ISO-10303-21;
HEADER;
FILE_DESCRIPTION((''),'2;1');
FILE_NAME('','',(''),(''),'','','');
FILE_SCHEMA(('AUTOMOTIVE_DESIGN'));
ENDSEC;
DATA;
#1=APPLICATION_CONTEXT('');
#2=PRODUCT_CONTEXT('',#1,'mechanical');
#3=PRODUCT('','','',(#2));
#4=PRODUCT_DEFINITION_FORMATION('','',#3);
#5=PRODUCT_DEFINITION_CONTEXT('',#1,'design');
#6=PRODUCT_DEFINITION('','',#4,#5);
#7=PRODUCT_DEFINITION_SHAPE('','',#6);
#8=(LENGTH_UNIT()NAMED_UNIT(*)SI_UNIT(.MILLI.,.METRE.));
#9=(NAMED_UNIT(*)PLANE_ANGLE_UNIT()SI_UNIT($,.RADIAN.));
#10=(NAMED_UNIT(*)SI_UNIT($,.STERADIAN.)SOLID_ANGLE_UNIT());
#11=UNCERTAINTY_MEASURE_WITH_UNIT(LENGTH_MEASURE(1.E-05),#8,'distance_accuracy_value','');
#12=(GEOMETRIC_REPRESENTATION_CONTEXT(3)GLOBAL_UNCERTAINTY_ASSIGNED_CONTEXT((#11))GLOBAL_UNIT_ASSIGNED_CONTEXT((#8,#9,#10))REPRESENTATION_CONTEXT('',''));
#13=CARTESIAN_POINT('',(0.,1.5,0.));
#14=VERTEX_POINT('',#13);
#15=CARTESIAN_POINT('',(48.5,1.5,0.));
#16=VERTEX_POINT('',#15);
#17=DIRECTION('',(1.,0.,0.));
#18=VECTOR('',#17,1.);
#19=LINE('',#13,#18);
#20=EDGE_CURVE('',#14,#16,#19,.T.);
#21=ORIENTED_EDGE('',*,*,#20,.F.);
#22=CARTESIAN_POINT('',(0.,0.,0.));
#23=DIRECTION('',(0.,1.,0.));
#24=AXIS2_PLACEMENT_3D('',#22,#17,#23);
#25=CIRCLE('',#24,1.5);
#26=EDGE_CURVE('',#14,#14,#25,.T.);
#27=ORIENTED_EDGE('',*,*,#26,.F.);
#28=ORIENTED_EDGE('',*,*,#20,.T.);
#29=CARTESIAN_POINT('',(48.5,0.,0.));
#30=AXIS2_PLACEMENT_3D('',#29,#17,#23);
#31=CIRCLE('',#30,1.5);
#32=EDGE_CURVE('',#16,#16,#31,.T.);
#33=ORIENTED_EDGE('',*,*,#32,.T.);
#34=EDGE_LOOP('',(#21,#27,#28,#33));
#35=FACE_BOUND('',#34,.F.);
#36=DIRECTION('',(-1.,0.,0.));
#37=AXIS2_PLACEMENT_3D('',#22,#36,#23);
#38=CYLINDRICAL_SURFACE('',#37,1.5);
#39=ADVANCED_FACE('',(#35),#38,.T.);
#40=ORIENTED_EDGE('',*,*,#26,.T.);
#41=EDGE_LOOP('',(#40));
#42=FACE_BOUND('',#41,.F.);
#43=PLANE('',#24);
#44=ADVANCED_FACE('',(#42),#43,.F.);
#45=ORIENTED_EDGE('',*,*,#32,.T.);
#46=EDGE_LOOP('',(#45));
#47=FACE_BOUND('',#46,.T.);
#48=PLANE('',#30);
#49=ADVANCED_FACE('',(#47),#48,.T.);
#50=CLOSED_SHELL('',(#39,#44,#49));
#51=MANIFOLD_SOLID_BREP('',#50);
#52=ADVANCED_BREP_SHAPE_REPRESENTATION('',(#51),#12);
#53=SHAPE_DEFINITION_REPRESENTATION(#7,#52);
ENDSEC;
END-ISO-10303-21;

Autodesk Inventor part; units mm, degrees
ref_plane "YZ Plane" through (0, 0, 0) normal (1, 0, 0) x (0, 1, 0)
ref_plane "XZ Plane" through (0, 0, 0) normal (0, 1, 0) x (-1, 0, 0)
ref_plane "XY Plane" through (0, 0, 0) normal (0, 0, 1) x (1, 0, 0)
sketch "スケッチ1" plane through (0, 0, 0) normal (1, 0, 0) x (0, 1, 0)
  circle A0 centre (0, 0) radius 1.5
  dimension "d0" = 3
extrude "押し出し1" add sketch "スケッチ1" along normal blind 48.5
thread "ねじ1" size "M3x0.5" class "6g" standard "ANSI Metric M Profile" full length
properties part number "shaft_screw"
